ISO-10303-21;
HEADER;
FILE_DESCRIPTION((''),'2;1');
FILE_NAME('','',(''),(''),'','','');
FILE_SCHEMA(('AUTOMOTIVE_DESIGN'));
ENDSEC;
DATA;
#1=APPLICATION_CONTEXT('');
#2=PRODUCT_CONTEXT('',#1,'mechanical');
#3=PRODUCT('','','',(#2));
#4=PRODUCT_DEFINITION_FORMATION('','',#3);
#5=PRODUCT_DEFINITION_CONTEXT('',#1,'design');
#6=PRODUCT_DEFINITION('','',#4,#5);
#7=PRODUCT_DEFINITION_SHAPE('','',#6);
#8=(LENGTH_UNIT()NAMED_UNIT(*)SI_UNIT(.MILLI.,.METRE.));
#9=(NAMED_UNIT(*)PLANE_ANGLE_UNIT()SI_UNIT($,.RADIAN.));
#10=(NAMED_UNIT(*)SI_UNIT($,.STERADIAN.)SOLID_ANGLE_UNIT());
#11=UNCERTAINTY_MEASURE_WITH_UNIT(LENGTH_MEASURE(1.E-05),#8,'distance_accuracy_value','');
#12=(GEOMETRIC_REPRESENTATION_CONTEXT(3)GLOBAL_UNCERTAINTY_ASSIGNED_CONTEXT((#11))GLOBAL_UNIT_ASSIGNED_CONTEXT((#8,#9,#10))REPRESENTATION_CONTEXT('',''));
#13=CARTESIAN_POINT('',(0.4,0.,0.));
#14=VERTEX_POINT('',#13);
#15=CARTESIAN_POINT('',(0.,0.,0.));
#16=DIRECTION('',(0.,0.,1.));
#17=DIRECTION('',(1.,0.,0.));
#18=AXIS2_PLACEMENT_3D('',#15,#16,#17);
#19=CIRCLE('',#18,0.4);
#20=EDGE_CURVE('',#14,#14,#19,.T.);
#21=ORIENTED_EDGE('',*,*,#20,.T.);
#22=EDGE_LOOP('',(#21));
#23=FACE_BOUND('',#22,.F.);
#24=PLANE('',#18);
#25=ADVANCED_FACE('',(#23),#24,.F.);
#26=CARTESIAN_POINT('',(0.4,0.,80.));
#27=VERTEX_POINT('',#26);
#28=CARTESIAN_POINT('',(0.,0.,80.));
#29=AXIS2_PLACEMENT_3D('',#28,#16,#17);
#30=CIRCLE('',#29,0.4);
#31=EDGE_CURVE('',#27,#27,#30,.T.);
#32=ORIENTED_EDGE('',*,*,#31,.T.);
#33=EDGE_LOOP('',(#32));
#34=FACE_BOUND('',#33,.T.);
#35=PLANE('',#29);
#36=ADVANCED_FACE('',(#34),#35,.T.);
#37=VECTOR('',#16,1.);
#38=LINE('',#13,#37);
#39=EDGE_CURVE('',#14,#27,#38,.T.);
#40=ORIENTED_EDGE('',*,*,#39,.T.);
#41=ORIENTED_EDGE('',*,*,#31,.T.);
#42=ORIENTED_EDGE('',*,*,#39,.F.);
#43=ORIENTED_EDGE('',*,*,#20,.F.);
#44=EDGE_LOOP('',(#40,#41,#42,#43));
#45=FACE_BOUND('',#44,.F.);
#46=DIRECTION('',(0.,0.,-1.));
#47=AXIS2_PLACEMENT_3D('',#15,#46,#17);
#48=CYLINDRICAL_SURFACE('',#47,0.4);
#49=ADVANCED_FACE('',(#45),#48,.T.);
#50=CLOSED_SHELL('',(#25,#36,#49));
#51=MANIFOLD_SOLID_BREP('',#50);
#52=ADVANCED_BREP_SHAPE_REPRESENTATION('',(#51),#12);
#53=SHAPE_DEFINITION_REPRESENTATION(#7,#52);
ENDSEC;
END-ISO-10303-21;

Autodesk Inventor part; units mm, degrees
ref_plane "YZ Plane" through (0, 0, 0) normal (1, 0, 0) x (0, 1, 0)
ref_plane "XZ Plane" through (0, 0, 0) normal (0, 1, 0) x (-1, 0, 0)
ref_plane "XY Plane" through (0, 0, 0) normal (0, 0, 1) x (1, 0, 0)
sketch "Sketch1" plane through (0, 0, 0) normal (0, 0, 1) x (1, 0, 0)
  circle A0 centre (0, 0) radius 0.4
  dimension "d0" = 0.8
extrude "Extrusion1" add sketch "Sketch1" along normal blind 80
properties part number "jointrod"
